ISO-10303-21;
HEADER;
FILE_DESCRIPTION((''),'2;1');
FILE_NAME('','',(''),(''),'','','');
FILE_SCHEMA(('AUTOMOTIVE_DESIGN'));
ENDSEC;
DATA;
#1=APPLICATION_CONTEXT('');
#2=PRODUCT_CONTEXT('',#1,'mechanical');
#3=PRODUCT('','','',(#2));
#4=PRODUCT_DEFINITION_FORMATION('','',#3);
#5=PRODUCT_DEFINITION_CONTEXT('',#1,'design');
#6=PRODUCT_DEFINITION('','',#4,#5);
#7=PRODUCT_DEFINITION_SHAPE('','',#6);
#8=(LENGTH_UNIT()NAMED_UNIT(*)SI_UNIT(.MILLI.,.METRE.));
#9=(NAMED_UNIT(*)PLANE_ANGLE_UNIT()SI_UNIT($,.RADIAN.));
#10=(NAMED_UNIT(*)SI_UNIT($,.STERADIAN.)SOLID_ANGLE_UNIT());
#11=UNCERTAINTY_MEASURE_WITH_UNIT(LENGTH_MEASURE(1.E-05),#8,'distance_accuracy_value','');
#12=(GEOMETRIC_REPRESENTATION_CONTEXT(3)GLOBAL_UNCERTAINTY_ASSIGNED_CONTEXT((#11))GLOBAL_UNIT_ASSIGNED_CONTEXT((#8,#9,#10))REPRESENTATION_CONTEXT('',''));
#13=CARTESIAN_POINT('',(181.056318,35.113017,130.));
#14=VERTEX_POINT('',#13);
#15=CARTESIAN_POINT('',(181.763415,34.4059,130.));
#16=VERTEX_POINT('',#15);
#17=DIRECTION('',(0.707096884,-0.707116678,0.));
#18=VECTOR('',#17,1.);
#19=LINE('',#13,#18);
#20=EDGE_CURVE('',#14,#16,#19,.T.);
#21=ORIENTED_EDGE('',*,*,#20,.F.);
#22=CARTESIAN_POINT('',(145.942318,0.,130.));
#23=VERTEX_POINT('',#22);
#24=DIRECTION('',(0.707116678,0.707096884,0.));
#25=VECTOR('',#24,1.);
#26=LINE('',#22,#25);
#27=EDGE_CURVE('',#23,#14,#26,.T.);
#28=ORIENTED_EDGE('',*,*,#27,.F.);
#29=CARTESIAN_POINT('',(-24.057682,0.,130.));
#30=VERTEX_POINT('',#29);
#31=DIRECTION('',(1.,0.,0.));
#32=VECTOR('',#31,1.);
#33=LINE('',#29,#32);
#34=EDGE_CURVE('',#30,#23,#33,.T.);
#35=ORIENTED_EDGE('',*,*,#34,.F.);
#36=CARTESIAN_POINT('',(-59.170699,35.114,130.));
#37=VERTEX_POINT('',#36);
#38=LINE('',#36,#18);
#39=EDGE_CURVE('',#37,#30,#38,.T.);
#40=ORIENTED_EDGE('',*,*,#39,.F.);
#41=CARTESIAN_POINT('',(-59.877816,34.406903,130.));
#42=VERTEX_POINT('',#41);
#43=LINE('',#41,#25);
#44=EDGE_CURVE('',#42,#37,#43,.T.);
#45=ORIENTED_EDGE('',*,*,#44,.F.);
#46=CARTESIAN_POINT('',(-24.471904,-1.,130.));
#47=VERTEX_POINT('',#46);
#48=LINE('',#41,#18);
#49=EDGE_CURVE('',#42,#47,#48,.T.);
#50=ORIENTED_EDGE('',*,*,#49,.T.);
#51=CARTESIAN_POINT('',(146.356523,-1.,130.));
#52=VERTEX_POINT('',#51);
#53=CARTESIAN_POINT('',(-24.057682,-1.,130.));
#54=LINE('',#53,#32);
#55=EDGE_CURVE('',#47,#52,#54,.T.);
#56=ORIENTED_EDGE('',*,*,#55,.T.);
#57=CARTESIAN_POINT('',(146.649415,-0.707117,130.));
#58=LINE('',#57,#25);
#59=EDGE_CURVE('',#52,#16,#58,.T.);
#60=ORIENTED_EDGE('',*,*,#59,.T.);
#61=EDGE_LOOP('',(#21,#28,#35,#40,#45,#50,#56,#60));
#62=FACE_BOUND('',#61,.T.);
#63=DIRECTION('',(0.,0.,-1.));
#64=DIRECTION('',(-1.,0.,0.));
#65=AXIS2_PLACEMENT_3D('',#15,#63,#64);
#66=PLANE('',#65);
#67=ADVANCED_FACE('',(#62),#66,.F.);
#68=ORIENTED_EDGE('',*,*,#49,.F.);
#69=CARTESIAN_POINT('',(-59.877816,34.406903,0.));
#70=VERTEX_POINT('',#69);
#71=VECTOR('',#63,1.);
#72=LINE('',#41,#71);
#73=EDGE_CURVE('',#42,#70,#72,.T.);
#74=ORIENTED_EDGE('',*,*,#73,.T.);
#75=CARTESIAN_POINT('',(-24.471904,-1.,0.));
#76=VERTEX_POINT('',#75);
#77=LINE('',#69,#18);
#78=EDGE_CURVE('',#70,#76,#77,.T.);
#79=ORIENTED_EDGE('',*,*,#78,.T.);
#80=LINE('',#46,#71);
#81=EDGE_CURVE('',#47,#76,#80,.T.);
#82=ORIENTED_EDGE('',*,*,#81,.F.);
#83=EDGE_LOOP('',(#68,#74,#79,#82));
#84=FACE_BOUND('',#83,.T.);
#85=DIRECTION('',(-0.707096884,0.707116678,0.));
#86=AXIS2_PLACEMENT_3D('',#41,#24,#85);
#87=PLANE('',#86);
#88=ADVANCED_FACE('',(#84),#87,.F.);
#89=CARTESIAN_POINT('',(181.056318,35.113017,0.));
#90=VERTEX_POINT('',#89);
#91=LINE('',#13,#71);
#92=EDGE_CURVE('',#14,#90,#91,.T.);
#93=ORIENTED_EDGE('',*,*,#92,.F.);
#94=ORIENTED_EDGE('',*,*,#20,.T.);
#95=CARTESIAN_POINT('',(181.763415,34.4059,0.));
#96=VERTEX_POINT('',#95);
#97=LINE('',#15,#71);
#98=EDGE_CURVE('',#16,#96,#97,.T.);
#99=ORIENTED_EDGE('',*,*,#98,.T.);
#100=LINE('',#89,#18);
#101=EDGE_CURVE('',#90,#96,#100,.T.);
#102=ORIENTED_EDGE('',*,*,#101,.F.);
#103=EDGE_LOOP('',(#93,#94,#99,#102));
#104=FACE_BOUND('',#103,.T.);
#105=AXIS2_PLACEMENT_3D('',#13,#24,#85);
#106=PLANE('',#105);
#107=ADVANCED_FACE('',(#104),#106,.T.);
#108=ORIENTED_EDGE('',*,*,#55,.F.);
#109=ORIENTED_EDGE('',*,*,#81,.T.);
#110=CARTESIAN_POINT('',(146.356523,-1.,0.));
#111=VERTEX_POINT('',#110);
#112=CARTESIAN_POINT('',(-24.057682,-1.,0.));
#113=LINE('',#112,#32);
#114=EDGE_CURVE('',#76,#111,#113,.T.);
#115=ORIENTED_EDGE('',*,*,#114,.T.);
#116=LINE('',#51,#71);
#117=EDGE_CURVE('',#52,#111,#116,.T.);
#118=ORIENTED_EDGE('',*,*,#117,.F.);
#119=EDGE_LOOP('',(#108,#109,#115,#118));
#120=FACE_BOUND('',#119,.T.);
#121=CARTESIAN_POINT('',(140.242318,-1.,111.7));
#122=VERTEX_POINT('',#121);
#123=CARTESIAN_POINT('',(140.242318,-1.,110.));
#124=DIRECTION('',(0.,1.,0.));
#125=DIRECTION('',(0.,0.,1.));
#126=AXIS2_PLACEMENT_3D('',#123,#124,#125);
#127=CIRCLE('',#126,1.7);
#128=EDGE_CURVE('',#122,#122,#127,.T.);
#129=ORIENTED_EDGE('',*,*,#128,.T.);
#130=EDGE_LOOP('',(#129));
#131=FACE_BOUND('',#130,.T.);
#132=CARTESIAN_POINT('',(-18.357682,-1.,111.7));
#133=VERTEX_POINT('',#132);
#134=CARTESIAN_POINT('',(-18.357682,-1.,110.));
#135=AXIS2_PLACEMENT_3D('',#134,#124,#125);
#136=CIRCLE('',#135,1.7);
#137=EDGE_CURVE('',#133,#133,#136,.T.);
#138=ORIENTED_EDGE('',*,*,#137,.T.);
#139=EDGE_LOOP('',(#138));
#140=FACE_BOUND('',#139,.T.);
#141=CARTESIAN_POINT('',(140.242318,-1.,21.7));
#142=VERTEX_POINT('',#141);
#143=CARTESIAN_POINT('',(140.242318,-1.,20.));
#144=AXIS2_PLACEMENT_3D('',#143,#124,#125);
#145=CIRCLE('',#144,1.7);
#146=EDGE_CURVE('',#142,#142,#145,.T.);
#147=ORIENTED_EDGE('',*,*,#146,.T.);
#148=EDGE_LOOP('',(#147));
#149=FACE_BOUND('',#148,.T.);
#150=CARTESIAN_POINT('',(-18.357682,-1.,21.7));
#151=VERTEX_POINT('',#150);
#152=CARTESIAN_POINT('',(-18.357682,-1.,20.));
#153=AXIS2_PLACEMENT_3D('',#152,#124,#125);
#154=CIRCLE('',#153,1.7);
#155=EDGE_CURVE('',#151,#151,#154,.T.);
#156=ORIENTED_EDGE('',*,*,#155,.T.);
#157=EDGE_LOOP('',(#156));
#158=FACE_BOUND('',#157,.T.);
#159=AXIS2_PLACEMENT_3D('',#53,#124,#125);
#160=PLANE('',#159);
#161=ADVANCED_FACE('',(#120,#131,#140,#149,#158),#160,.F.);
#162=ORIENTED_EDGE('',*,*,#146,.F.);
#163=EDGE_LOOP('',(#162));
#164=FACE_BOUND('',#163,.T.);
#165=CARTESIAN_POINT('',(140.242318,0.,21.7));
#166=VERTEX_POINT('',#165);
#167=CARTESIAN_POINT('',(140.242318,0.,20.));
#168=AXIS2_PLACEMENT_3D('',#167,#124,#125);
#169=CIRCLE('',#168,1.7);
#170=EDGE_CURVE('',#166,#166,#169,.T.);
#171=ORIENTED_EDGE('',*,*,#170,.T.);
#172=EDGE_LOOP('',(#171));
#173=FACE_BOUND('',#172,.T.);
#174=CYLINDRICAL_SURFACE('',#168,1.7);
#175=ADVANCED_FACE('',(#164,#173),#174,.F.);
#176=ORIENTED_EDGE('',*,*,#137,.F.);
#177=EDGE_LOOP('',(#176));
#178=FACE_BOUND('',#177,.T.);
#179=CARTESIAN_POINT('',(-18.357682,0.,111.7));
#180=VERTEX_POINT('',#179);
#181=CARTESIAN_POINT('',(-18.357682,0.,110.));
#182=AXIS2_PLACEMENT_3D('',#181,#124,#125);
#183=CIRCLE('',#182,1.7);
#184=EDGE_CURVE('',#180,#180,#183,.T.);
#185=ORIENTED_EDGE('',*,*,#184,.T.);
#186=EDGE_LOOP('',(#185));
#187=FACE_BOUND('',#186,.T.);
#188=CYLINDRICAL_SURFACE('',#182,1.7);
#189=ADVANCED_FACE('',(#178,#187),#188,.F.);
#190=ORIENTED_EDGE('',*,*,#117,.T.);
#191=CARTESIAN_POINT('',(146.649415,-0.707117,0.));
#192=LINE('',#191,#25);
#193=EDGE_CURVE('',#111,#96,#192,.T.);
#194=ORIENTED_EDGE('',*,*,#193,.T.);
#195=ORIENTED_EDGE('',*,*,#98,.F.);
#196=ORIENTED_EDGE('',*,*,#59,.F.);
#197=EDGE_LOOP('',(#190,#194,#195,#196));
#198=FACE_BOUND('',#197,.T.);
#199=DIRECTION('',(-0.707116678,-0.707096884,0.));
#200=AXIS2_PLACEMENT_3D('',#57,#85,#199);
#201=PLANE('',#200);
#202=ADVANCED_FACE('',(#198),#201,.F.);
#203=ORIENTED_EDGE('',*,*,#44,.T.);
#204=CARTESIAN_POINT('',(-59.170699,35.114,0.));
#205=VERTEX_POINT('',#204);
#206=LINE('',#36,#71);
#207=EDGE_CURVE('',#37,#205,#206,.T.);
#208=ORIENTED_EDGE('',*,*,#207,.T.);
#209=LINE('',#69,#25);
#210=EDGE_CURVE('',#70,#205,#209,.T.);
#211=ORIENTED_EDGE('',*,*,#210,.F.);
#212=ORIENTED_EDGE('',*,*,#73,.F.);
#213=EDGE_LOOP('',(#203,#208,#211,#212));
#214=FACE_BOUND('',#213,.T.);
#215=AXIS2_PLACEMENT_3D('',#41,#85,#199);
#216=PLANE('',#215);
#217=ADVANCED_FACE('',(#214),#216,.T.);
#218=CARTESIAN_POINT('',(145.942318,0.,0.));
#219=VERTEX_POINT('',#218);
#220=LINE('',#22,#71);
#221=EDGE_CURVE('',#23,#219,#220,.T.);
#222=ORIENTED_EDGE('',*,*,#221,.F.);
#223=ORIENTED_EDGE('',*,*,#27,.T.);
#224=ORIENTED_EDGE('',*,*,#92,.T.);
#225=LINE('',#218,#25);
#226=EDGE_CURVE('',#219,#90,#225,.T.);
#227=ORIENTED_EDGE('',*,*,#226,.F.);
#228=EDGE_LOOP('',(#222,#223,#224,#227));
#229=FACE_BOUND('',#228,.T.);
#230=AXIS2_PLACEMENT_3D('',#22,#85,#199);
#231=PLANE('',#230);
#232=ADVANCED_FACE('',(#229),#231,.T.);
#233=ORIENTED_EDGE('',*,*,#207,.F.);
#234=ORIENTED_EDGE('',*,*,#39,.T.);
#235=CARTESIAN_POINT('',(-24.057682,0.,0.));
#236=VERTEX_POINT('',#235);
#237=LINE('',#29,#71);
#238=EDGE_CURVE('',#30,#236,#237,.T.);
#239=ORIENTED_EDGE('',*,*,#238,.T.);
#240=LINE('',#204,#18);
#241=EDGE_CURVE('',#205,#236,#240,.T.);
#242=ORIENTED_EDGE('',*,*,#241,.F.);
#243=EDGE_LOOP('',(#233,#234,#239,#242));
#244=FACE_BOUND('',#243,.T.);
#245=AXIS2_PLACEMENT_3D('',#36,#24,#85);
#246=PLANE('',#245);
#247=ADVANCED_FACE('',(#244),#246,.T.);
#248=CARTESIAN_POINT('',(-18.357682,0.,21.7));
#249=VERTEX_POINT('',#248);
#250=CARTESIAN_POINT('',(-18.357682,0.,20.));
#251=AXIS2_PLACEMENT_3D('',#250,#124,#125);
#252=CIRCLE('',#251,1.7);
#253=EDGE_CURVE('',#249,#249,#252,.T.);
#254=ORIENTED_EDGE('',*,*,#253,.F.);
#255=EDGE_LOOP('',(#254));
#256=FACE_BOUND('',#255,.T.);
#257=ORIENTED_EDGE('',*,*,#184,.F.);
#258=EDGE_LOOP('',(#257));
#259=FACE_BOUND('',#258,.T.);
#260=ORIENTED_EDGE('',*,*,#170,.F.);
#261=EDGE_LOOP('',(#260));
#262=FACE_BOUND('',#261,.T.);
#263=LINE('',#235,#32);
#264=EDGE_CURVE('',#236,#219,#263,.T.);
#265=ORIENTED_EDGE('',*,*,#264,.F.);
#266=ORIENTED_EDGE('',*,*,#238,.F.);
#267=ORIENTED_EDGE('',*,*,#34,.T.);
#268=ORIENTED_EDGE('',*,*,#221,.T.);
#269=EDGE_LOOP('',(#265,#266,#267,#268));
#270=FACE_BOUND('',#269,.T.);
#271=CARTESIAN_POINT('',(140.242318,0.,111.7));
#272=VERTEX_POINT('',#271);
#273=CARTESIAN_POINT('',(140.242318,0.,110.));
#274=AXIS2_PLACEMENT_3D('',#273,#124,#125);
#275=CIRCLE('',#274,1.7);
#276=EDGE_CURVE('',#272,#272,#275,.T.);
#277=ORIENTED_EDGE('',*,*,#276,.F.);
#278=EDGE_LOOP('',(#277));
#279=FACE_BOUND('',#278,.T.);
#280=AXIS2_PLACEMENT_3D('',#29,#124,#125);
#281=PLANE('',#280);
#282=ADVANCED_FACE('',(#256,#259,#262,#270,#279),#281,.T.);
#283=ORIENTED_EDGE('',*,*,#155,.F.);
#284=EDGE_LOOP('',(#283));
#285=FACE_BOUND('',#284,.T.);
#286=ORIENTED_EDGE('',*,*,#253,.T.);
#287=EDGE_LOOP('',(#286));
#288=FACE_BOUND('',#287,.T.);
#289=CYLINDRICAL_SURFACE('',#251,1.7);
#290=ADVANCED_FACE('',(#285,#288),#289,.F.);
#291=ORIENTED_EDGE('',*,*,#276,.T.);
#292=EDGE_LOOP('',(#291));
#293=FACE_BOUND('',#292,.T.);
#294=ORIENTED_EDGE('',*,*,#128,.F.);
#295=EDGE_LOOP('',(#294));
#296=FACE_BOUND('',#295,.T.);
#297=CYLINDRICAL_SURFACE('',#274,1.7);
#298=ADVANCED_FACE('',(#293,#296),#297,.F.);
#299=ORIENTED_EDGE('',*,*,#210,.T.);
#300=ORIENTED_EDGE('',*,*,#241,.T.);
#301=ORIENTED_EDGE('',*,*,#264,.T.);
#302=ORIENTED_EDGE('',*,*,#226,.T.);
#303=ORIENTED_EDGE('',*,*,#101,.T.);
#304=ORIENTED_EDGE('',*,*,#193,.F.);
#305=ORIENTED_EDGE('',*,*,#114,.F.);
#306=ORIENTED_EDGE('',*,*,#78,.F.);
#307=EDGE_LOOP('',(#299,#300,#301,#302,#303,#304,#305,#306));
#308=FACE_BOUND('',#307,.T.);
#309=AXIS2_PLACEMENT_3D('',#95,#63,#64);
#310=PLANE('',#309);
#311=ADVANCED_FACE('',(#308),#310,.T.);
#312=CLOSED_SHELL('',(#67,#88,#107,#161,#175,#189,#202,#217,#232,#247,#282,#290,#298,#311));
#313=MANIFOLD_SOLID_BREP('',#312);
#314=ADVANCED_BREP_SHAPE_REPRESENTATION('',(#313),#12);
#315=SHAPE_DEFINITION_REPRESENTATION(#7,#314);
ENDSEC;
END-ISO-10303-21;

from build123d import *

# Parameters (mm, degrees)
EXTRU_MINCE1_DEPTH = 130
D_GAGEMENT_M32_D   = 3.4


with BuildPart() as part:
    # Esquisse2 → Extru.-Mince1 (new body)
    with BuildSketch(Plane.XY):
        Polygon((-59.170699115, 35.114), (-24.057682042, 0), (145.942317958, 0), (181.056317958, 35.113017073), (181.763414842, 34.405900395), (146.356523321, -1), (-24.471903803, -1), (-59.877815794, 34.406903116), align=None)
    extrude(amount=EXTRU_MINCE1_DEPTH)

    # Dégagement M32 (through all)
    with Locations(Plane(origin=(0, 0, 0), x_dir=(-1, 0, 0), z_dir=(0, 1, 0))):
        with Locations((18.357682042, 20), (-140.242317958, 20), (-140.242317958, 110), (18.357682042, 110)):
            Hole(D_GAGEMENT_M32_D / 2)


solid = part.part
